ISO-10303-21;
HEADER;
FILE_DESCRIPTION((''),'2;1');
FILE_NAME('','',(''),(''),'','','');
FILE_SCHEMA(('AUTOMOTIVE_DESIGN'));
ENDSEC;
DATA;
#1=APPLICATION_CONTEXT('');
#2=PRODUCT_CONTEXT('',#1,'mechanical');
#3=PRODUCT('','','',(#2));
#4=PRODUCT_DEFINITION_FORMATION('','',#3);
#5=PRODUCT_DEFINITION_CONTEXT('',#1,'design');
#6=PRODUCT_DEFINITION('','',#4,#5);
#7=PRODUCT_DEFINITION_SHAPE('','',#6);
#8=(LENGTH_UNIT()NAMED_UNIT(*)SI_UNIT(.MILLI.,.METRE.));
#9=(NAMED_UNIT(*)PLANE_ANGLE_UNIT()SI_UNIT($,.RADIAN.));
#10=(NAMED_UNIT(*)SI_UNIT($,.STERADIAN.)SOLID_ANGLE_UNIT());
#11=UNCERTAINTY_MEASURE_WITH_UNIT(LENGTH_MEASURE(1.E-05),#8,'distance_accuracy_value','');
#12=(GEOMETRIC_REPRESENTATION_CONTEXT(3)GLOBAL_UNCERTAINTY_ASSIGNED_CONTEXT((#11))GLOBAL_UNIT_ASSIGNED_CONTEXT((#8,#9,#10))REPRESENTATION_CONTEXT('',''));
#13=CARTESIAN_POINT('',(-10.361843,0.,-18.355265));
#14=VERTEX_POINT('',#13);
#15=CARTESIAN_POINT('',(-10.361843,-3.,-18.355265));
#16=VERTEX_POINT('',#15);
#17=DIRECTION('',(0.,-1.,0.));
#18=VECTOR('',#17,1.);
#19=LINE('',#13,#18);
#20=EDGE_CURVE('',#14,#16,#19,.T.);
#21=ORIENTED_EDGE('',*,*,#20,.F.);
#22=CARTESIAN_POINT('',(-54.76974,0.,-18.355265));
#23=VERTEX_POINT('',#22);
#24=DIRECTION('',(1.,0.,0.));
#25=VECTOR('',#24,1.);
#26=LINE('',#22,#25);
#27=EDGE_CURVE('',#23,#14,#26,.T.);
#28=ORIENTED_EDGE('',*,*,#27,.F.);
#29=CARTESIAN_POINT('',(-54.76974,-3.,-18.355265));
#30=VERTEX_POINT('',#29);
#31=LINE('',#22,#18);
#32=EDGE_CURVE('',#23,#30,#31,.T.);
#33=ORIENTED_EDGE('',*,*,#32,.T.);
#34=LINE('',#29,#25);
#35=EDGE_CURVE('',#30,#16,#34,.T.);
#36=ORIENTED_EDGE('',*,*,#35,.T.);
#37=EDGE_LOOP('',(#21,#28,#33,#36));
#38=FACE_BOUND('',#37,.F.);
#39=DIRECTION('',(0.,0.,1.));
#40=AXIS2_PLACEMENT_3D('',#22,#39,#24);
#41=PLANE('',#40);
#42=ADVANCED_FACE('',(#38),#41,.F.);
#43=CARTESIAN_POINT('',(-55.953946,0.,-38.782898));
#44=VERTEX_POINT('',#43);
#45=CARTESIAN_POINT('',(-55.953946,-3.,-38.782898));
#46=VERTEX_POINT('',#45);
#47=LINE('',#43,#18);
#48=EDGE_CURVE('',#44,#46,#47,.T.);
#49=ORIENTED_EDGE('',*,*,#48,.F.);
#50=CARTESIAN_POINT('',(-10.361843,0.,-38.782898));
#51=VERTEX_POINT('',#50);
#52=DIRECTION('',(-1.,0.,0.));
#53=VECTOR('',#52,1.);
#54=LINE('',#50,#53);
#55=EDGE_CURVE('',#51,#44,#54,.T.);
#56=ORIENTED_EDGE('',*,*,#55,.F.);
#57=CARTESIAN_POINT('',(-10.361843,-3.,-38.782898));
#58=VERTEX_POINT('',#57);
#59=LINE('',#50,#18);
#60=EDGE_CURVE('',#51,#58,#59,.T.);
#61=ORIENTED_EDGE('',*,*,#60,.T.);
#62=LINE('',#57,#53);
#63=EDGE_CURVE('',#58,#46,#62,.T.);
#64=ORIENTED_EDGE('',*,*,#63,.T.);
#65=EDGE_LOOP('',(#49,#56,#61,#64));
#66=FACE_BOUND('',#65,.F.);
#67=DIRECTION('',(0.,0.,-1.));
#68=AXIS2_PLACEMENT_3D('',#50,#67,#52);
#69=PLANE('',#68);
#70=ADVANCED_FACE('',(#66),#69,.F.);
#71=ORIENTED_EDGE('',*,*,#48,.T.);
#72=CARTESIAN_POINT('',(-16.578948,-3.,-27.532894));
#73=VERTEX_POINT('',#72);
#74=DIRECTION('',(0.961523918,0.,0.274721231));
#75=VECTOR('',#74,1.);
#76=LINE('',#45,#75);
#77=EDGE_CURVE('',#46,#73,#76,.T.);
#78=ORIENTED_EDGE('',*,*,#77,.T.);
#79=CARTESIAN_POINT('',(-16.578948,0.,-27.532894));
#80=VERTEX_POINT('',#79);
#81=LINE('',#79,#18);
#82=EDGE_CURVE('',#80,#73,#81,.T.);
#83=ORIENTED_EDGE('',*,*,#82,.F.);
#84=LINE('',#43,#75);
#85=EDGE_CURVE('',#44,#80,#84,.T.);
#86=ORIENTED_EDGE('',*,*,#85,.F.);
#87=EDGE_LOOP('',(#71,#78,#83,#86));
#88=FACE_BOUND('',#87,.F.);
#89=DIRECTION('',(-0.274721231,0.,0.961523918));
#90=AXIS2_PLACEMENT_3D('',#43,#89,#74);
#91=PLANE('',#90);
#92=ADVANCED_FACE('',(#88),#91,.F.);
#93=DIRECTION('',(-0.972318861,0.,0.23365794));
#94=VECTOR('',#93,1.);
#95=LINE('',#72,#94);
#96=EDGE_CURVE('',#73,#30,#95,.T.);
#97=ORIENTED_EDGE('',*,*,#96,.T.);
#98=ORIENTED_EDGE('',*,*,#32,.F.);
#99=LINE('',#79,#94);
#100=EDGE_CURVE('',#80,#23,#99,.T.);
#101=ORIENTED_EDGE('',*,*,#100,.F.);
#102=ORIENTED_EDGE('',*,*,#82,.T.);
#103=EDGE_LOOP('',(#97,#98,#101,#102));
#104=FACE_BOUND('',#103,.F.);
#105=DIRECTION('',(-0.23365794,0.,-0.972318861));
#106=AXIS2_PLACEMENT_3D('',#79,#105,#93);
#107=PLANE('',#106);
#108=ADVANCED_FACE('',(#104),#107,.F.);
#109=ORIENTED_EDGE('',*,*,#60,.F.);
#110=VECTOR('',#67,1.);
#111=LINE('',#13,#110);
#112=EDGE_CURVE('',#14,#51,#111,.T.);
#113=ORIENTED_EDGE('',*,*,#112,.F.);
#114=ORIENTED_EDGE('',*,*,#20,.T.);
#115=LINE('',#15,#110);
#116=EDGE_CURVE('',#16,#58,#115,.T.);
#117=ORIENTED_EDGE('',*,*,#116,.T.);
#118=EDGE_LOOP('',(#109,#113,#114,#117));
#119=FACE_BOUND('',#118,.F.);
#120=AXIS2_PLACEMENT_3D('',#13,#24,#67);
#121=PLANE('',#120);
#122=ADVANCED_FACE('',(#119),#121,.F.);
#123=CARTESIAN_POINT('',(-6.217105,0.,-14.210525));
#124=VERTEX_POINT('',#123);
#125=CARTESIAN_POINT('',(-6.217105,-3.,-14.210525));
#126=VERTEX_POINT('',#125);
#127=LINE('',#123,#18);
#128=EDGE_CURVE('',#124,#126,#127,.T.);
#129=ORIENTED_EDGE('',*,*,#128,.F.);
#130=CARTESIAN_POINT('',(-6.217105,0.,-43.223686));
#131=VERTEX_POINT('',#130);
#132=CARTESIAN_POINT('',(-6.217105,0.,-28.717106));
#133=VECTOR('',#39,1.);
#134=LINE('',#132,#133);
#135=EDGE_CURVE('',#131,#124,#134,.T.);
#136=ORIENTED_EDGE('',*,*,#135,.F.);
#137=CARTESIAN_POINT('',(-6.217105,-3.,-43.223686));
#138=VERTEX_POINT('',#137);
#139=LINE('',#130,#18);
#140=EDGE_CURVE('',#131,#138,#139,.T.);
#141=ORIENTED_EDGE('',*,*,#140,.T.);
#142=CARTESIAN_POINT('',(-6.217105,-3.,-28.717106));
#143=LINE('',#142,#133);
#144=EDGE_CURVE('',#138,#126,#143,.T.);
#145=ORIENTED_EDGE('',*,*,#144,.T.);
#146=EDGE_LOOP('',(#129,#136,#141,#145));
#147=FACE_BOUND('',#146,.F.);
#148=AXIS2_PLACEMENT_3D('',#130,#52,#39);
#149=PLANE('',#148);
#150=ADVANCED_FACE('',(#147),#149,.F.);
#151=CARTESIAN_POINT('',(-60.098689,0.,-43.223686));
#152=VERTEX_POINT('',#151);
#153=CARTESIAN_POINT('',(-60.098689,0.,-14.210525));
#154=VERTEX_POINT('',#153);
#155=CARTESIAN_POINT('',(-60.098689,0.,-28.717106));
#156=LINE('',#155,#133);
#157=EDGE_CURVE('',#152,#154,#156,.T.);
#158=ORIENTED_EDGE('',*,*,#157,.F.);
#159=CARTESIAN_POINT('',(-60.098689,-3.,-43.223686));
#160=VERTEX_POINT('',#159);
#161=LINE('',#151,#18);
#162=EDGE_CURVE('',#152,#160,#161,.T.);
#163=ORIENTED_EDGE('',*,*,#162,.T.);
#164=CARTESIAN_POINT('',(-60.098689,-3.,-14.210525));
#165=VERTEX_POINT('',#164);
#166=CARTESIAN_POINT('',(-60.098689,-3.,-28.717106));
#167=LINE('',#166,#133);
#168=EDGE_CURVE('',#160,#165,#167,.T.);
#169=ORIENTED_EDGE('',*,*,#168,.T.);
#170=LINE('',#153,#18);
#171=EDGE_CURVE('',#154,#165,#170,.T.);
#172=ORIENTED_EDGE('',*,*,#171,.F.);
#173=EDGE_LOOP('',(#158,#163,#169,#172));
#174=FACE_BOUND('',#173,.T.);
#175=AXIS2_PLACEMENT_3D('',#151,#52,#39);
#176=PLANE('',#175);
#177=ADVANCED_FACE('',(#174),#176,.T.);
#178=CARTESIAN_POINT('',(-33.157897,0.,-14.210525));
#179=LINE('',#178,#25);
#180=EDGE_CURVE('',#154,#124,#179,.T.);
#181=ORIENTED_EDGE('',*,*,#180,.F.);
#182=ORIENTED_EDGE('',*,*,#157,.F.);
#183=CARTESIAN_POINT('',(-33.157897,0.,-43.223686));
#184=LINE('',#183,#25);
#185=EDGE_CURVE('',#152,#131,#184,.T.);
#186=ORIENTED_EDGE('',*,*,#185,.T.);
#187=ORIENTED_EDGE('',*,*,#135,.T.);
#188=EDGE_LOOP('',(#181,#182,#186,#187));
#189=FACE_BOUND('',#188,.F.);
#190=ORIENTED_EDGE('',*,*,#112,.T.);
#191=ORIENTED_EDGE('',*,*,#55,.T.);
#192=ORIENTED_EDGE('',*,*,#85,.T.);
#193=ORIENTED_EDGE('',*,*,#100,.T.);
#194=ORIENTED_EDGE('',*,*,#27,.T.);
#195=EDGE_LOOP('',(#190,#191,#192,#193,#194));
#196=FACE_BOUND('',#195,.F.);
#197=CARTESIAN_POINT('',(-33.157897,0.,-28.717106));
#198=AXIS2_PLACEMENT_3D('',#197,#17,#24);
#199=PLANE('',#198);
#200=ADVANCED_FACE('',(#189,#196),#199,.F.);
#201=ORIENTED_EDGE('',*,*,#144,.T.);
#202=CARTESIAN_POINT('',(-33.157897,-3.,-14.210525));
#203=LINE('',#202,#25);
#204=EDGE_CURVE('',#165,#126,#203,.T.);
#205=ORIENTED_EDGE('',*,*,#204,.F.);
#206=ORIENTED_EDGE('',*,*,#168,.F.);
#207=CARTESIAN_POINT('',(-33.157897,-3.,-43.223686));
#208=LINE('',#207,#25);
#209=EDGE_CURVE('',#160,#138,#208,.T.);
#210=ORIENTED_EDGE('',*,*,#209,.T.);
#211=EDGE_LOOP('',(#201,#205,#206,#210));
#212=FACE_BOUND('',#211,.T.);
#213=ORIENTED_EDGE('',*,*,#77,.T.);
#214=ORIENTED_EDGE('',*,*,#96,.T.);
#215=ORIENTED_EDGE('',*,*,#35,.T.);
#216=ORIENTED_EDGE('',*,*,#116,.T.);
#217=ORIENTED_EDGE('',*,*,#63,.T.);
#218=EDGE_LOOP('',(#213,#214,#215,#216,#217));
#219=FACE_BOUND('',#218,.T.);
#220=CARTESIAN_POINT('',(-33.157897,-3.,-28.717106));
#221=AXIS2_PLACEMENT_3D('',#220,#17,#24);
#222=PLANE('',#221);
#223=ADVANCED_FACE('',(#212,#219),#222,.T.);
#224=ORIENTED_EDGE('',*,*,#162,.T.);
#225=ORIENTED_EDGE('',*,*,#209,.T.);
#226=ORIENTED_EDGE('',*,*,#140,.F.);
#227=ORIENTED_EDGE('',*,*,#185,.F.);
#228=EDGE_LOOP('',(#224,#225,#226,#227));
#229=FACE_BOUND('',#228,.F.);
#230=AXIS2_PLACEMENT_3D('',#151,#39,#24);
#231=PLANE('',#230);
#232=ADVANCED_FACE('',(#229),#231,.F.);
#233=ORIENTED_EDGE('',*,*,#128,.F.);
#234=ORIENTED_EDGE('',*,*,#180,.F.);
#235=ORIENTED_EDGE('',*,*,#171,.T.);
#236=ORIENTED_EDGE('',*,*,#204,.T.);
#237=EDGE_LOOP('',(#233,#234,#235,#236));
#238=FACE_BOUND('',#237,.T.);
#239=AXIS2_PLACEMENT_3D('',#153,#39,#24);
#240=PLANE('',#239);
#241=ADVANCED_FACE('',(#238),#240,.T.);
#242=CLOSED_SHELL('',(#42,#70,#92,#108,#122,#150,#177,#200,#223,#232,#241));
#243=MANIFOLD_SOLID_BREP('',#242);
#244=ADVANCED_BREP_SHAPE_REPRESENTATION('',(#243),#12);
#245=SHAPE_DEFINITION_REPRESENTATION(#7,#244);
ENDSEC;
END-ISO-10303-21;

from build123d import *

# Parameters (mm, degrees)
F0_W     = 53.881584
F0_H     = 29.013161
F1_DEPTH = 3


with BuildPart() as f1:
    # F0 (on Front) → F1 (new body)
    with BuildSketch(Plane.XZ):
        with Locations((-33.157897, -28.717106)):
            Rectangle(F0_W, F0_H)
        Polygon((-54.76974, -18.355265), (-10.361843, -18.355265), (-10.361843, -38.782898), (-55.953946, -38.782898), (-16.578948, -27.532894), align=None, mode=Mode.SUBTRACT)
    extrude(amount=F1_DEPTH)


solid = f1.part
